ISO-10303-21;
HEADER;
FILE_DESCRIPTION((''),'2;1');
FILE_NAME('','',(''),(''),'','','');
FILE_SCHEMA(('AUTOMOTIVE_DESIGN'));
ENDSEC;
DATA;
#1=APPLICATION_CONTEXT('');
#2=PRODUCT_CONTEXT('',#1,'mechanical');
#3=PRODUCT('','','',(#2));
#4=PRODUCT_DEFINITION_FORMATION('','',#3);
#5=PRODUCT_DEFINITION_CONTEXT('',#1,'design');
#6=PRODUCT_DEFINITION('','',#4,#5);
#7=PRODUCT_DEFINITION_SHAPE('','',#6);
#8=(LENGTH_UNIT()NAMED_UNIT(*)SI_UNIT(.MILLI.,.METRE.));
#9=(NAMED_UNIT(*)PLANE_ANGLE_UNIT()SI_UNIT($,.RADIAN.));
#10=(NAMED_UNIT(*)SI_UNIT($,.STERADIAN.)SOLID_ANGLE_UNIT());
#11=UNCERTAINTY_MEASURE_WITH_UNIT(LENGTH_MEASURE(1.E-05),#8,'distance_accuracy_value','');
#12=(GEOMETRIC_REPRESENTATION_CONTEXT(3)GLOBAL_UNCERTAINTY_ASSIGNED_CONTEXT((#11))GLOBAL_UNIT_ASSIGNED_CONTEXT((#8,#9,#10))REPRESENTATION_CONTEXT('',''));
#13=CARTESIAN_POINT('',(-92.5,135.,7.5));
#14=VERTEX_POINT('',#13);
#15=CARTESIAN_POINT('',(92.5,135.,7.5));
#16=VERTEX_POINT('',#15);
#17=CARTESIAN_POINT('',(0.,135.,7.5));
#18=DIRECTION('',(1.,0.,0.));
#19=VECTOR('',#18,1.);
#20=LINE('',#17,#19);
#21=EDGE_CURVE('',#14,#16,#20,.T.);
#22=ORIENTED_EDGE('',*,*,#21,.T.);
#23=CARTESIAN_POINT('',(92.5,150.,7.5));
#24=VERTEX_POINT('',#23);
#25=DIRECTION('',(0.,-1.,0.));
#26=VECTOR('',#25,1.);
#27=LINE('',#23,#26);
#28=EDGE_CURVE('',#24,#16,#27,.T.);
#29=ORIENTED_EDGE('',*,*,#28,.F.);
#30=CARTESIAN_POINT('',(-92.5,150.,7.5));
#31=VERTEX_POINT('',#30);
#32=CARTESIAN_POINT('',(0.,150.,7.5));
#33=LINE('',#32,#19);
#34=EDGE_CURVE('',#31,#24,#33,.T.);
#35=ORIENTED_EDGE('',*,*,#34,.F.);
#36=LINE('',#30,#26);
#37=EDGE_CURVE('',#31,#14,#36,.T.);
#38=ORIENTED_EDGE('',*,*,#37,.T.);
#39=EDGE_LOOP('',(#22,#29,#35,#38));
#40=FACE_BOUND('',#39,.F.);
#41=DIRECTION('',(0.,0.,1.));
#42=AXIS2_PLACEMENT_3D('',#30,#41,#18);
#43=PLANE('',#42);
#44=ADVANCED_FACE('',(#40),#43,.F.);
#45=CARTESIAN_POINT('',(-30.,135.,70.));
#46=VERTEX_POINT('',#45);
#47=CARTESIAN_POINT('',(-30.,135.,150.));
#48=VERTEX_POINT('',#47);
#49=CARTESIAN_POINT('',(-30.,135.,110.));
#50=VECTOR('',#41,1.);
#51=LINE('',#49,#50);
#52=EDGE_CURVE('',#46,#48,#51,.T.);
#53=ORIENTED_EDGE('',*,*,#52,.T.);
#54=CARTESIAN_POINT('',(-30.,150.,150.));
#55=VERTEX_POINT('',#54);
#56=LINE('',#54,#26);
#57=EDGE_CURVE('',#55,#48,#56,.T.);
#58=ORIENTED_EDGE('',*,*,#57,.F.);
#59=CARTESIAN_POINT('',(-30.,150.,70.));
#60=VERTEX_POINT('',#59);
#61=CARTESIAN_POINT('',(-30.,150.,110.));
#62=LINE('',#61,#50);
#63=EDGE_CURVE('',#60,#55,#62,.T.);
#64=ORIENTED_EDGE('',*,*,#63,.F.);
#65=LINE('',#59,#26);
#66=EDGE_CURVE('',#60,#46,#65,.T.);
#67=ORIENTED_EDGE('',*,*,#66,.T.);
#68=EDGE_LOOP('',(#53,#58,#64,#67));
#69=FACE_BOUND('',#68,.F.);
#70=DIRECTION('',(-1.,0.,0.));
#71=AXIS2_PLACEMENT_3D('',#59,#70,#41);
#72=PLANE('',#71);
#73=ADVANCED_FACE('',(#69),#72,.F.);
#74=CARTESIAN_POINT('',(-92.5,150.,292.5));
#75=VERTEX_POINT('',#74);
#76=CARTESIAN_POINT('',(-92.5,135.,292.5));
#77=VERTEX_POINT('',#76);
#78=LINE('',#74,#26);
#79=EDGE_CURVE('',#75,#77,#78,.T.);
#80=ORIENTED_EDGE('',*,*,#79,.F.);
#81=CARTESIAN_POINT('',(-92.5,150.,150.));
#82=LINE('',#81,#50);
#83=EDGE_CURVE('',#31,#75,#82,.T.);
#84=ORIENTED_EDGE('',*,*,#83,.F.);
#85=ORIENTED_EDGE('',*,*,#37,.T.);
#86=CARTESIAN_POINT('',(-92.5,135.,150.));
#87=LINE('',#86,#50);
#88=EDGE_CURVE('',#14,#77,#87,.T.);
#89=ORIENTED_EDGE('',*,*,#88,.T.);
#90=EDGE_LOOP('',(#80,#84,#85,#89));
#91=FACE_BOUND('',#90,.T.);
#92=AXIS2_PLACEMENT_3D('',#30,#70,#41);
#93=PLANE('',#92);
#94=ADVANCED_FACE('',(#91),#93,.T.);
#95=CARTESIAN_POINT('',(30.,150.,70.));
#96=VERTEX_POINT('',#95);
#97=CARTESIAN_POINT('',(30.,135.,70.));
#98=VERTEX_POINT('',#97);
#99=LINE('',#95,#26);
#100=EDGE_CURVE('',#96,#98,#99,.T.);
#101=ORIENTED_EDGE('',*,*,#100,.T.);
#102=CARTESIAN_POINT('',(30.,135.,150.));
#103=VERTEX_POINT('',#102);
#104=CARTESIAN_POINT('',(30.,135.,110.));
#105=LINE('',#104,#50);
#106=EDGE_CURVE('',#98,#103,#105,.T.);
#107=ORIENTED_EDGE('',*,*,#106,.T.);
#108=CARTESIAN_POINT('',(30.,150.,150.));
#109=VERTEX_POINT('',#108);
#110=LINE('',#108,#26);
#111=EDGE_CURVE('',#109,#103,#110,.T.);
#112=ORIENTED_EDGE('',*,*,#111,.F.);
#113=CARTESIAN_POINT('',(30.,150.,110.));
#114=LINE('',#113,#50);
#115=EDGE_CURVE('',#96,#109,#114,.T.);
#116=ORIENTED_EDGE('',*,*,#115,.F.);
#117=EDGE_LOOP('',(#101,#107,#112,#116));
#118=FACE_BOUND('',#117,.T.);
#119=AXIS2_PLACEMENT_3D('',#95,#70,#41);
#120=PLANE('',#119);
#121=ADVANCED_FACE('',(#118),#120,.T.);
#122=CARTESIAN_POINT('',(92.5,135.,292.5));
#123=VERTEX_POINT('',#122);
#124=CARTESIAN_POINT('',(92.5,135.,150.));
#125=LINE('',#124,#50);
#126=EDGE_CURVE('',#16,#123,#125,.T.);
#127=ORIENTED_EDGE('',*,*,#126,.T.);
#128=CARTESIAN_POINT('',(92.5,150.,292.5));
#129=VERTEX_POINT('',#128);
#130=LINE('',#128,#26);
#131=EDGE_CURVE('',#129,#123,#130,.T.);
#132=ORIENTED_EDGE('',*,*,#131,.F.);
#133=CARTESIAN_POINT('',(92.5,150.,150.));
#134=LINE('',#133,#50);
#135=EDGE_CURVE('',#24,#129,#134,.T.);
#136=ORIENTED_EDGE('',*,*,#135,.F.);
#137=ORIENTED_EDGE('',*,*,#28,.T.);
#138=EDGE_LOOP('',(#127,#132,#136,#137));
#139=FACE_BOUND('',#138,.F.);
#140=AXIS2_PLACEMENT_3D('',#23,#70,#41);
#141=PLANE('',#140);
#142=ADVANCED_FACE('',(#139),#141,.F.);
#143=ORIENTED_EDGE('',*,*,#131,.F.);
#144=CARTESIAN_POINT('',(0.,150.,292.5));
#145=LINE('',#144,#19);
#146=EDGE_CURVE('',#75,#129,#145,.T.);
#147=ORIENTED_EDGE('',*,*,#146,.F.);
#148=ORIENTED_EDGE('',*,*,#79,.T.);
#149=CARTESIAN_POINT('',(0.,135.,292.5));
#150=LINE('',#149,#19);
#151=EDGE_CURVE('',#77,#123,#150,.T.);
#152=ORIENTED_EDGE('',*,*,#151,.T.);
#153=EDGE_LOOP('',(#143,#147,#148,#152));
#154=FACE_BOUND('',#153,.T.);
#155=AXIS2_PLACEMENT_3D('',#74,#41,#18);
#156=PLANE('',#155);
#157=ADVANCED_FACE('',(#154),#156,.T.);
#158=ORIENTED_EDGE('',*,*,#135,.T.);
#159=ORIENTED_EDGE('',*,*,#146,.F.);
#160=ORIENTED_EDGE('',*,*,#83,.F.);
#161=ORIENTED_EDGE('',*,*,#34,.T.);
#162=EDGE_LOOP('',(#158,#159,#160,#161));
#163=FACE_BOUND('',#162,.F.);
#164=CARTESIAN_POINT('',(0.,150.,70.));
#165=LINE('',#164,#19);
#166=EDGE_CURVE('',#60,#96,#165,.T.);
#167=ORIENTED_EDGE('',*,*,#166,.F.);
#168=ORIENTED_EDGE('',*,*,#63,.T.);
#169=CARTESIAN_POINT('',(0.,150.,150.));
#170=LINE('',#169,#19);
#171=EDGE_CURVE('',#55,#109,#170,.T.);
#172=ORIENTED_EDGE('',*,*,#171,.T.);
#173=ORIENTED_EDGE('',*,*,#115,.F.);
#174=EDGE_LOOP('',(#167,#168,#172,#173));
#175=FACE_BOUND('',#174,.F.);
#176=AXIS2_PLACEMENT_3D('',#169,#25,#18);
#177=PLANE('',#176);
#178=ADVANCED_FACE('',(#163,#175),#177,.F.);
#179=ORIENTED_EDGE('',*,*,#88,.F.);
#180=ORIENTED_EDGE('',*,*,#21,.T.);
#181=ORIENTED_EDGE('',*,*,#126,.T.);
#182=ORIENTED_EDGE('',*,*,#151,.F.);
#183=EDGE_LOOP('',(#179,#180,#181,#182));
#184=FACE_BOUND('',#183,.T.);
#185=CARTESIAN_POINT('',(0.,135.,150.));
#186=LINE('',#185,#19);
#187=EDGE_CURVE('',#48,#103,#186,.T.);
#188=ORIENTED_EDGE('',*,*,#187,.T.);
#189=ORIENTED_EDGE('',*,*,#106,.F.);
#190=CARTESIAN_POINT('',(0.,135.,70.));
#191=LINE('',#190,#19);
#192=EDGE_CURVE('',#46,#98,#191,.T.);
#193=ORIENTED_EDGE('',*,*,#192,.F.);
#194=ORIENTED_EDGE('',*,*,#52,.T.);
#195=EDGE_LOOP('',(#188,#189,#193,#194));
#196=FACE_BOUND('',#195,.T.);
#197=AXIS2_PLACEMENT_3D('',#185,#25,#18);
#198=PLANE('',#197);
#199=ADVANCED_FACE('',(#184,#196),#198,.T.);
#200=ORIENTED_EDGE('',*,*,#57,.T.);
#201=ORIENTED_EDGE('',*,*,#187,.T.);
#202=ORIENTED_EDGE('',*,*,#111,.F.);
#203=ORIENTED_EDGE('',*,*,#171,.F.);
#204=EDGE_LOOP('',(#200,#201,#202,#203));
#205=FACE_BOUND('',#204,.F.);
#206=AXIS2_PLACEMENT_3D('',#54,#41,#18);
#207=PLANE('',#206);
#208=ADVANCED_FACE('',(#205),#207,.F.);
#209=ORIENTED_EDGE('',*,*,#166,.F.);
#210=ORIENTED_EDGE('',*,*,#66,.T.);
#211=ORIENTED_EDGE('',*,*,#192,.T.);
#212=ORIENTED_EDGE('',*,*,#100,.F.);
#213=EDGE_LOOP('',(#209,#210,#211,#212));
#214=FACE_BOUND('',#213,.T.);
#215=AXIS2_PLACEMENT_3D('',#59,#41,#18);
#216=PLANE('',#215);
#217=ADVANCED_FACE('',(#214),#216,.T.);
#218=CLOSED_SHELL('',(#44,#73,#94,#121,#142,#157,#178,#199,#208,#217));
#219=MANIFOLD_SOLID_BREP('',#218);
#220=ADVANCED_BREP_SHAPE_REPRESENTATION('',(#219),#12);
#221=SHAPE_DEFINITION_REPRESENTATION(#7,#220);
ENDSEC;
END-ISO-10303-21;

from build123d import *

# Parameters (mm, degrees)
F6_W     = 185
F6_H     = 285
F7_DEPTH = 15
F8_W     = 60
F8_H     = 80
F9_DEPTH = 15


with BuildPart() as f7:
    # F6 (on offset) → F7 (new body, through all)
    with BuildSketch(Plane.XZ.offset(-150)):
        with Locations((0, 150)):
            Rectangle(F6_W, F6_H)
    extrude(amount=F7_DEPTH)

    # F8 (on offset) → F9 (cut, through all)
    with BuildSketch(Plane.XZ.offset(-150)):
        with Locations((0, 110)):
            Rectangle(F8_W, F8_H)
    extrude(amount=F9_DEPTH, mode=Mode.SUBTRACT)


solid = f7.part
